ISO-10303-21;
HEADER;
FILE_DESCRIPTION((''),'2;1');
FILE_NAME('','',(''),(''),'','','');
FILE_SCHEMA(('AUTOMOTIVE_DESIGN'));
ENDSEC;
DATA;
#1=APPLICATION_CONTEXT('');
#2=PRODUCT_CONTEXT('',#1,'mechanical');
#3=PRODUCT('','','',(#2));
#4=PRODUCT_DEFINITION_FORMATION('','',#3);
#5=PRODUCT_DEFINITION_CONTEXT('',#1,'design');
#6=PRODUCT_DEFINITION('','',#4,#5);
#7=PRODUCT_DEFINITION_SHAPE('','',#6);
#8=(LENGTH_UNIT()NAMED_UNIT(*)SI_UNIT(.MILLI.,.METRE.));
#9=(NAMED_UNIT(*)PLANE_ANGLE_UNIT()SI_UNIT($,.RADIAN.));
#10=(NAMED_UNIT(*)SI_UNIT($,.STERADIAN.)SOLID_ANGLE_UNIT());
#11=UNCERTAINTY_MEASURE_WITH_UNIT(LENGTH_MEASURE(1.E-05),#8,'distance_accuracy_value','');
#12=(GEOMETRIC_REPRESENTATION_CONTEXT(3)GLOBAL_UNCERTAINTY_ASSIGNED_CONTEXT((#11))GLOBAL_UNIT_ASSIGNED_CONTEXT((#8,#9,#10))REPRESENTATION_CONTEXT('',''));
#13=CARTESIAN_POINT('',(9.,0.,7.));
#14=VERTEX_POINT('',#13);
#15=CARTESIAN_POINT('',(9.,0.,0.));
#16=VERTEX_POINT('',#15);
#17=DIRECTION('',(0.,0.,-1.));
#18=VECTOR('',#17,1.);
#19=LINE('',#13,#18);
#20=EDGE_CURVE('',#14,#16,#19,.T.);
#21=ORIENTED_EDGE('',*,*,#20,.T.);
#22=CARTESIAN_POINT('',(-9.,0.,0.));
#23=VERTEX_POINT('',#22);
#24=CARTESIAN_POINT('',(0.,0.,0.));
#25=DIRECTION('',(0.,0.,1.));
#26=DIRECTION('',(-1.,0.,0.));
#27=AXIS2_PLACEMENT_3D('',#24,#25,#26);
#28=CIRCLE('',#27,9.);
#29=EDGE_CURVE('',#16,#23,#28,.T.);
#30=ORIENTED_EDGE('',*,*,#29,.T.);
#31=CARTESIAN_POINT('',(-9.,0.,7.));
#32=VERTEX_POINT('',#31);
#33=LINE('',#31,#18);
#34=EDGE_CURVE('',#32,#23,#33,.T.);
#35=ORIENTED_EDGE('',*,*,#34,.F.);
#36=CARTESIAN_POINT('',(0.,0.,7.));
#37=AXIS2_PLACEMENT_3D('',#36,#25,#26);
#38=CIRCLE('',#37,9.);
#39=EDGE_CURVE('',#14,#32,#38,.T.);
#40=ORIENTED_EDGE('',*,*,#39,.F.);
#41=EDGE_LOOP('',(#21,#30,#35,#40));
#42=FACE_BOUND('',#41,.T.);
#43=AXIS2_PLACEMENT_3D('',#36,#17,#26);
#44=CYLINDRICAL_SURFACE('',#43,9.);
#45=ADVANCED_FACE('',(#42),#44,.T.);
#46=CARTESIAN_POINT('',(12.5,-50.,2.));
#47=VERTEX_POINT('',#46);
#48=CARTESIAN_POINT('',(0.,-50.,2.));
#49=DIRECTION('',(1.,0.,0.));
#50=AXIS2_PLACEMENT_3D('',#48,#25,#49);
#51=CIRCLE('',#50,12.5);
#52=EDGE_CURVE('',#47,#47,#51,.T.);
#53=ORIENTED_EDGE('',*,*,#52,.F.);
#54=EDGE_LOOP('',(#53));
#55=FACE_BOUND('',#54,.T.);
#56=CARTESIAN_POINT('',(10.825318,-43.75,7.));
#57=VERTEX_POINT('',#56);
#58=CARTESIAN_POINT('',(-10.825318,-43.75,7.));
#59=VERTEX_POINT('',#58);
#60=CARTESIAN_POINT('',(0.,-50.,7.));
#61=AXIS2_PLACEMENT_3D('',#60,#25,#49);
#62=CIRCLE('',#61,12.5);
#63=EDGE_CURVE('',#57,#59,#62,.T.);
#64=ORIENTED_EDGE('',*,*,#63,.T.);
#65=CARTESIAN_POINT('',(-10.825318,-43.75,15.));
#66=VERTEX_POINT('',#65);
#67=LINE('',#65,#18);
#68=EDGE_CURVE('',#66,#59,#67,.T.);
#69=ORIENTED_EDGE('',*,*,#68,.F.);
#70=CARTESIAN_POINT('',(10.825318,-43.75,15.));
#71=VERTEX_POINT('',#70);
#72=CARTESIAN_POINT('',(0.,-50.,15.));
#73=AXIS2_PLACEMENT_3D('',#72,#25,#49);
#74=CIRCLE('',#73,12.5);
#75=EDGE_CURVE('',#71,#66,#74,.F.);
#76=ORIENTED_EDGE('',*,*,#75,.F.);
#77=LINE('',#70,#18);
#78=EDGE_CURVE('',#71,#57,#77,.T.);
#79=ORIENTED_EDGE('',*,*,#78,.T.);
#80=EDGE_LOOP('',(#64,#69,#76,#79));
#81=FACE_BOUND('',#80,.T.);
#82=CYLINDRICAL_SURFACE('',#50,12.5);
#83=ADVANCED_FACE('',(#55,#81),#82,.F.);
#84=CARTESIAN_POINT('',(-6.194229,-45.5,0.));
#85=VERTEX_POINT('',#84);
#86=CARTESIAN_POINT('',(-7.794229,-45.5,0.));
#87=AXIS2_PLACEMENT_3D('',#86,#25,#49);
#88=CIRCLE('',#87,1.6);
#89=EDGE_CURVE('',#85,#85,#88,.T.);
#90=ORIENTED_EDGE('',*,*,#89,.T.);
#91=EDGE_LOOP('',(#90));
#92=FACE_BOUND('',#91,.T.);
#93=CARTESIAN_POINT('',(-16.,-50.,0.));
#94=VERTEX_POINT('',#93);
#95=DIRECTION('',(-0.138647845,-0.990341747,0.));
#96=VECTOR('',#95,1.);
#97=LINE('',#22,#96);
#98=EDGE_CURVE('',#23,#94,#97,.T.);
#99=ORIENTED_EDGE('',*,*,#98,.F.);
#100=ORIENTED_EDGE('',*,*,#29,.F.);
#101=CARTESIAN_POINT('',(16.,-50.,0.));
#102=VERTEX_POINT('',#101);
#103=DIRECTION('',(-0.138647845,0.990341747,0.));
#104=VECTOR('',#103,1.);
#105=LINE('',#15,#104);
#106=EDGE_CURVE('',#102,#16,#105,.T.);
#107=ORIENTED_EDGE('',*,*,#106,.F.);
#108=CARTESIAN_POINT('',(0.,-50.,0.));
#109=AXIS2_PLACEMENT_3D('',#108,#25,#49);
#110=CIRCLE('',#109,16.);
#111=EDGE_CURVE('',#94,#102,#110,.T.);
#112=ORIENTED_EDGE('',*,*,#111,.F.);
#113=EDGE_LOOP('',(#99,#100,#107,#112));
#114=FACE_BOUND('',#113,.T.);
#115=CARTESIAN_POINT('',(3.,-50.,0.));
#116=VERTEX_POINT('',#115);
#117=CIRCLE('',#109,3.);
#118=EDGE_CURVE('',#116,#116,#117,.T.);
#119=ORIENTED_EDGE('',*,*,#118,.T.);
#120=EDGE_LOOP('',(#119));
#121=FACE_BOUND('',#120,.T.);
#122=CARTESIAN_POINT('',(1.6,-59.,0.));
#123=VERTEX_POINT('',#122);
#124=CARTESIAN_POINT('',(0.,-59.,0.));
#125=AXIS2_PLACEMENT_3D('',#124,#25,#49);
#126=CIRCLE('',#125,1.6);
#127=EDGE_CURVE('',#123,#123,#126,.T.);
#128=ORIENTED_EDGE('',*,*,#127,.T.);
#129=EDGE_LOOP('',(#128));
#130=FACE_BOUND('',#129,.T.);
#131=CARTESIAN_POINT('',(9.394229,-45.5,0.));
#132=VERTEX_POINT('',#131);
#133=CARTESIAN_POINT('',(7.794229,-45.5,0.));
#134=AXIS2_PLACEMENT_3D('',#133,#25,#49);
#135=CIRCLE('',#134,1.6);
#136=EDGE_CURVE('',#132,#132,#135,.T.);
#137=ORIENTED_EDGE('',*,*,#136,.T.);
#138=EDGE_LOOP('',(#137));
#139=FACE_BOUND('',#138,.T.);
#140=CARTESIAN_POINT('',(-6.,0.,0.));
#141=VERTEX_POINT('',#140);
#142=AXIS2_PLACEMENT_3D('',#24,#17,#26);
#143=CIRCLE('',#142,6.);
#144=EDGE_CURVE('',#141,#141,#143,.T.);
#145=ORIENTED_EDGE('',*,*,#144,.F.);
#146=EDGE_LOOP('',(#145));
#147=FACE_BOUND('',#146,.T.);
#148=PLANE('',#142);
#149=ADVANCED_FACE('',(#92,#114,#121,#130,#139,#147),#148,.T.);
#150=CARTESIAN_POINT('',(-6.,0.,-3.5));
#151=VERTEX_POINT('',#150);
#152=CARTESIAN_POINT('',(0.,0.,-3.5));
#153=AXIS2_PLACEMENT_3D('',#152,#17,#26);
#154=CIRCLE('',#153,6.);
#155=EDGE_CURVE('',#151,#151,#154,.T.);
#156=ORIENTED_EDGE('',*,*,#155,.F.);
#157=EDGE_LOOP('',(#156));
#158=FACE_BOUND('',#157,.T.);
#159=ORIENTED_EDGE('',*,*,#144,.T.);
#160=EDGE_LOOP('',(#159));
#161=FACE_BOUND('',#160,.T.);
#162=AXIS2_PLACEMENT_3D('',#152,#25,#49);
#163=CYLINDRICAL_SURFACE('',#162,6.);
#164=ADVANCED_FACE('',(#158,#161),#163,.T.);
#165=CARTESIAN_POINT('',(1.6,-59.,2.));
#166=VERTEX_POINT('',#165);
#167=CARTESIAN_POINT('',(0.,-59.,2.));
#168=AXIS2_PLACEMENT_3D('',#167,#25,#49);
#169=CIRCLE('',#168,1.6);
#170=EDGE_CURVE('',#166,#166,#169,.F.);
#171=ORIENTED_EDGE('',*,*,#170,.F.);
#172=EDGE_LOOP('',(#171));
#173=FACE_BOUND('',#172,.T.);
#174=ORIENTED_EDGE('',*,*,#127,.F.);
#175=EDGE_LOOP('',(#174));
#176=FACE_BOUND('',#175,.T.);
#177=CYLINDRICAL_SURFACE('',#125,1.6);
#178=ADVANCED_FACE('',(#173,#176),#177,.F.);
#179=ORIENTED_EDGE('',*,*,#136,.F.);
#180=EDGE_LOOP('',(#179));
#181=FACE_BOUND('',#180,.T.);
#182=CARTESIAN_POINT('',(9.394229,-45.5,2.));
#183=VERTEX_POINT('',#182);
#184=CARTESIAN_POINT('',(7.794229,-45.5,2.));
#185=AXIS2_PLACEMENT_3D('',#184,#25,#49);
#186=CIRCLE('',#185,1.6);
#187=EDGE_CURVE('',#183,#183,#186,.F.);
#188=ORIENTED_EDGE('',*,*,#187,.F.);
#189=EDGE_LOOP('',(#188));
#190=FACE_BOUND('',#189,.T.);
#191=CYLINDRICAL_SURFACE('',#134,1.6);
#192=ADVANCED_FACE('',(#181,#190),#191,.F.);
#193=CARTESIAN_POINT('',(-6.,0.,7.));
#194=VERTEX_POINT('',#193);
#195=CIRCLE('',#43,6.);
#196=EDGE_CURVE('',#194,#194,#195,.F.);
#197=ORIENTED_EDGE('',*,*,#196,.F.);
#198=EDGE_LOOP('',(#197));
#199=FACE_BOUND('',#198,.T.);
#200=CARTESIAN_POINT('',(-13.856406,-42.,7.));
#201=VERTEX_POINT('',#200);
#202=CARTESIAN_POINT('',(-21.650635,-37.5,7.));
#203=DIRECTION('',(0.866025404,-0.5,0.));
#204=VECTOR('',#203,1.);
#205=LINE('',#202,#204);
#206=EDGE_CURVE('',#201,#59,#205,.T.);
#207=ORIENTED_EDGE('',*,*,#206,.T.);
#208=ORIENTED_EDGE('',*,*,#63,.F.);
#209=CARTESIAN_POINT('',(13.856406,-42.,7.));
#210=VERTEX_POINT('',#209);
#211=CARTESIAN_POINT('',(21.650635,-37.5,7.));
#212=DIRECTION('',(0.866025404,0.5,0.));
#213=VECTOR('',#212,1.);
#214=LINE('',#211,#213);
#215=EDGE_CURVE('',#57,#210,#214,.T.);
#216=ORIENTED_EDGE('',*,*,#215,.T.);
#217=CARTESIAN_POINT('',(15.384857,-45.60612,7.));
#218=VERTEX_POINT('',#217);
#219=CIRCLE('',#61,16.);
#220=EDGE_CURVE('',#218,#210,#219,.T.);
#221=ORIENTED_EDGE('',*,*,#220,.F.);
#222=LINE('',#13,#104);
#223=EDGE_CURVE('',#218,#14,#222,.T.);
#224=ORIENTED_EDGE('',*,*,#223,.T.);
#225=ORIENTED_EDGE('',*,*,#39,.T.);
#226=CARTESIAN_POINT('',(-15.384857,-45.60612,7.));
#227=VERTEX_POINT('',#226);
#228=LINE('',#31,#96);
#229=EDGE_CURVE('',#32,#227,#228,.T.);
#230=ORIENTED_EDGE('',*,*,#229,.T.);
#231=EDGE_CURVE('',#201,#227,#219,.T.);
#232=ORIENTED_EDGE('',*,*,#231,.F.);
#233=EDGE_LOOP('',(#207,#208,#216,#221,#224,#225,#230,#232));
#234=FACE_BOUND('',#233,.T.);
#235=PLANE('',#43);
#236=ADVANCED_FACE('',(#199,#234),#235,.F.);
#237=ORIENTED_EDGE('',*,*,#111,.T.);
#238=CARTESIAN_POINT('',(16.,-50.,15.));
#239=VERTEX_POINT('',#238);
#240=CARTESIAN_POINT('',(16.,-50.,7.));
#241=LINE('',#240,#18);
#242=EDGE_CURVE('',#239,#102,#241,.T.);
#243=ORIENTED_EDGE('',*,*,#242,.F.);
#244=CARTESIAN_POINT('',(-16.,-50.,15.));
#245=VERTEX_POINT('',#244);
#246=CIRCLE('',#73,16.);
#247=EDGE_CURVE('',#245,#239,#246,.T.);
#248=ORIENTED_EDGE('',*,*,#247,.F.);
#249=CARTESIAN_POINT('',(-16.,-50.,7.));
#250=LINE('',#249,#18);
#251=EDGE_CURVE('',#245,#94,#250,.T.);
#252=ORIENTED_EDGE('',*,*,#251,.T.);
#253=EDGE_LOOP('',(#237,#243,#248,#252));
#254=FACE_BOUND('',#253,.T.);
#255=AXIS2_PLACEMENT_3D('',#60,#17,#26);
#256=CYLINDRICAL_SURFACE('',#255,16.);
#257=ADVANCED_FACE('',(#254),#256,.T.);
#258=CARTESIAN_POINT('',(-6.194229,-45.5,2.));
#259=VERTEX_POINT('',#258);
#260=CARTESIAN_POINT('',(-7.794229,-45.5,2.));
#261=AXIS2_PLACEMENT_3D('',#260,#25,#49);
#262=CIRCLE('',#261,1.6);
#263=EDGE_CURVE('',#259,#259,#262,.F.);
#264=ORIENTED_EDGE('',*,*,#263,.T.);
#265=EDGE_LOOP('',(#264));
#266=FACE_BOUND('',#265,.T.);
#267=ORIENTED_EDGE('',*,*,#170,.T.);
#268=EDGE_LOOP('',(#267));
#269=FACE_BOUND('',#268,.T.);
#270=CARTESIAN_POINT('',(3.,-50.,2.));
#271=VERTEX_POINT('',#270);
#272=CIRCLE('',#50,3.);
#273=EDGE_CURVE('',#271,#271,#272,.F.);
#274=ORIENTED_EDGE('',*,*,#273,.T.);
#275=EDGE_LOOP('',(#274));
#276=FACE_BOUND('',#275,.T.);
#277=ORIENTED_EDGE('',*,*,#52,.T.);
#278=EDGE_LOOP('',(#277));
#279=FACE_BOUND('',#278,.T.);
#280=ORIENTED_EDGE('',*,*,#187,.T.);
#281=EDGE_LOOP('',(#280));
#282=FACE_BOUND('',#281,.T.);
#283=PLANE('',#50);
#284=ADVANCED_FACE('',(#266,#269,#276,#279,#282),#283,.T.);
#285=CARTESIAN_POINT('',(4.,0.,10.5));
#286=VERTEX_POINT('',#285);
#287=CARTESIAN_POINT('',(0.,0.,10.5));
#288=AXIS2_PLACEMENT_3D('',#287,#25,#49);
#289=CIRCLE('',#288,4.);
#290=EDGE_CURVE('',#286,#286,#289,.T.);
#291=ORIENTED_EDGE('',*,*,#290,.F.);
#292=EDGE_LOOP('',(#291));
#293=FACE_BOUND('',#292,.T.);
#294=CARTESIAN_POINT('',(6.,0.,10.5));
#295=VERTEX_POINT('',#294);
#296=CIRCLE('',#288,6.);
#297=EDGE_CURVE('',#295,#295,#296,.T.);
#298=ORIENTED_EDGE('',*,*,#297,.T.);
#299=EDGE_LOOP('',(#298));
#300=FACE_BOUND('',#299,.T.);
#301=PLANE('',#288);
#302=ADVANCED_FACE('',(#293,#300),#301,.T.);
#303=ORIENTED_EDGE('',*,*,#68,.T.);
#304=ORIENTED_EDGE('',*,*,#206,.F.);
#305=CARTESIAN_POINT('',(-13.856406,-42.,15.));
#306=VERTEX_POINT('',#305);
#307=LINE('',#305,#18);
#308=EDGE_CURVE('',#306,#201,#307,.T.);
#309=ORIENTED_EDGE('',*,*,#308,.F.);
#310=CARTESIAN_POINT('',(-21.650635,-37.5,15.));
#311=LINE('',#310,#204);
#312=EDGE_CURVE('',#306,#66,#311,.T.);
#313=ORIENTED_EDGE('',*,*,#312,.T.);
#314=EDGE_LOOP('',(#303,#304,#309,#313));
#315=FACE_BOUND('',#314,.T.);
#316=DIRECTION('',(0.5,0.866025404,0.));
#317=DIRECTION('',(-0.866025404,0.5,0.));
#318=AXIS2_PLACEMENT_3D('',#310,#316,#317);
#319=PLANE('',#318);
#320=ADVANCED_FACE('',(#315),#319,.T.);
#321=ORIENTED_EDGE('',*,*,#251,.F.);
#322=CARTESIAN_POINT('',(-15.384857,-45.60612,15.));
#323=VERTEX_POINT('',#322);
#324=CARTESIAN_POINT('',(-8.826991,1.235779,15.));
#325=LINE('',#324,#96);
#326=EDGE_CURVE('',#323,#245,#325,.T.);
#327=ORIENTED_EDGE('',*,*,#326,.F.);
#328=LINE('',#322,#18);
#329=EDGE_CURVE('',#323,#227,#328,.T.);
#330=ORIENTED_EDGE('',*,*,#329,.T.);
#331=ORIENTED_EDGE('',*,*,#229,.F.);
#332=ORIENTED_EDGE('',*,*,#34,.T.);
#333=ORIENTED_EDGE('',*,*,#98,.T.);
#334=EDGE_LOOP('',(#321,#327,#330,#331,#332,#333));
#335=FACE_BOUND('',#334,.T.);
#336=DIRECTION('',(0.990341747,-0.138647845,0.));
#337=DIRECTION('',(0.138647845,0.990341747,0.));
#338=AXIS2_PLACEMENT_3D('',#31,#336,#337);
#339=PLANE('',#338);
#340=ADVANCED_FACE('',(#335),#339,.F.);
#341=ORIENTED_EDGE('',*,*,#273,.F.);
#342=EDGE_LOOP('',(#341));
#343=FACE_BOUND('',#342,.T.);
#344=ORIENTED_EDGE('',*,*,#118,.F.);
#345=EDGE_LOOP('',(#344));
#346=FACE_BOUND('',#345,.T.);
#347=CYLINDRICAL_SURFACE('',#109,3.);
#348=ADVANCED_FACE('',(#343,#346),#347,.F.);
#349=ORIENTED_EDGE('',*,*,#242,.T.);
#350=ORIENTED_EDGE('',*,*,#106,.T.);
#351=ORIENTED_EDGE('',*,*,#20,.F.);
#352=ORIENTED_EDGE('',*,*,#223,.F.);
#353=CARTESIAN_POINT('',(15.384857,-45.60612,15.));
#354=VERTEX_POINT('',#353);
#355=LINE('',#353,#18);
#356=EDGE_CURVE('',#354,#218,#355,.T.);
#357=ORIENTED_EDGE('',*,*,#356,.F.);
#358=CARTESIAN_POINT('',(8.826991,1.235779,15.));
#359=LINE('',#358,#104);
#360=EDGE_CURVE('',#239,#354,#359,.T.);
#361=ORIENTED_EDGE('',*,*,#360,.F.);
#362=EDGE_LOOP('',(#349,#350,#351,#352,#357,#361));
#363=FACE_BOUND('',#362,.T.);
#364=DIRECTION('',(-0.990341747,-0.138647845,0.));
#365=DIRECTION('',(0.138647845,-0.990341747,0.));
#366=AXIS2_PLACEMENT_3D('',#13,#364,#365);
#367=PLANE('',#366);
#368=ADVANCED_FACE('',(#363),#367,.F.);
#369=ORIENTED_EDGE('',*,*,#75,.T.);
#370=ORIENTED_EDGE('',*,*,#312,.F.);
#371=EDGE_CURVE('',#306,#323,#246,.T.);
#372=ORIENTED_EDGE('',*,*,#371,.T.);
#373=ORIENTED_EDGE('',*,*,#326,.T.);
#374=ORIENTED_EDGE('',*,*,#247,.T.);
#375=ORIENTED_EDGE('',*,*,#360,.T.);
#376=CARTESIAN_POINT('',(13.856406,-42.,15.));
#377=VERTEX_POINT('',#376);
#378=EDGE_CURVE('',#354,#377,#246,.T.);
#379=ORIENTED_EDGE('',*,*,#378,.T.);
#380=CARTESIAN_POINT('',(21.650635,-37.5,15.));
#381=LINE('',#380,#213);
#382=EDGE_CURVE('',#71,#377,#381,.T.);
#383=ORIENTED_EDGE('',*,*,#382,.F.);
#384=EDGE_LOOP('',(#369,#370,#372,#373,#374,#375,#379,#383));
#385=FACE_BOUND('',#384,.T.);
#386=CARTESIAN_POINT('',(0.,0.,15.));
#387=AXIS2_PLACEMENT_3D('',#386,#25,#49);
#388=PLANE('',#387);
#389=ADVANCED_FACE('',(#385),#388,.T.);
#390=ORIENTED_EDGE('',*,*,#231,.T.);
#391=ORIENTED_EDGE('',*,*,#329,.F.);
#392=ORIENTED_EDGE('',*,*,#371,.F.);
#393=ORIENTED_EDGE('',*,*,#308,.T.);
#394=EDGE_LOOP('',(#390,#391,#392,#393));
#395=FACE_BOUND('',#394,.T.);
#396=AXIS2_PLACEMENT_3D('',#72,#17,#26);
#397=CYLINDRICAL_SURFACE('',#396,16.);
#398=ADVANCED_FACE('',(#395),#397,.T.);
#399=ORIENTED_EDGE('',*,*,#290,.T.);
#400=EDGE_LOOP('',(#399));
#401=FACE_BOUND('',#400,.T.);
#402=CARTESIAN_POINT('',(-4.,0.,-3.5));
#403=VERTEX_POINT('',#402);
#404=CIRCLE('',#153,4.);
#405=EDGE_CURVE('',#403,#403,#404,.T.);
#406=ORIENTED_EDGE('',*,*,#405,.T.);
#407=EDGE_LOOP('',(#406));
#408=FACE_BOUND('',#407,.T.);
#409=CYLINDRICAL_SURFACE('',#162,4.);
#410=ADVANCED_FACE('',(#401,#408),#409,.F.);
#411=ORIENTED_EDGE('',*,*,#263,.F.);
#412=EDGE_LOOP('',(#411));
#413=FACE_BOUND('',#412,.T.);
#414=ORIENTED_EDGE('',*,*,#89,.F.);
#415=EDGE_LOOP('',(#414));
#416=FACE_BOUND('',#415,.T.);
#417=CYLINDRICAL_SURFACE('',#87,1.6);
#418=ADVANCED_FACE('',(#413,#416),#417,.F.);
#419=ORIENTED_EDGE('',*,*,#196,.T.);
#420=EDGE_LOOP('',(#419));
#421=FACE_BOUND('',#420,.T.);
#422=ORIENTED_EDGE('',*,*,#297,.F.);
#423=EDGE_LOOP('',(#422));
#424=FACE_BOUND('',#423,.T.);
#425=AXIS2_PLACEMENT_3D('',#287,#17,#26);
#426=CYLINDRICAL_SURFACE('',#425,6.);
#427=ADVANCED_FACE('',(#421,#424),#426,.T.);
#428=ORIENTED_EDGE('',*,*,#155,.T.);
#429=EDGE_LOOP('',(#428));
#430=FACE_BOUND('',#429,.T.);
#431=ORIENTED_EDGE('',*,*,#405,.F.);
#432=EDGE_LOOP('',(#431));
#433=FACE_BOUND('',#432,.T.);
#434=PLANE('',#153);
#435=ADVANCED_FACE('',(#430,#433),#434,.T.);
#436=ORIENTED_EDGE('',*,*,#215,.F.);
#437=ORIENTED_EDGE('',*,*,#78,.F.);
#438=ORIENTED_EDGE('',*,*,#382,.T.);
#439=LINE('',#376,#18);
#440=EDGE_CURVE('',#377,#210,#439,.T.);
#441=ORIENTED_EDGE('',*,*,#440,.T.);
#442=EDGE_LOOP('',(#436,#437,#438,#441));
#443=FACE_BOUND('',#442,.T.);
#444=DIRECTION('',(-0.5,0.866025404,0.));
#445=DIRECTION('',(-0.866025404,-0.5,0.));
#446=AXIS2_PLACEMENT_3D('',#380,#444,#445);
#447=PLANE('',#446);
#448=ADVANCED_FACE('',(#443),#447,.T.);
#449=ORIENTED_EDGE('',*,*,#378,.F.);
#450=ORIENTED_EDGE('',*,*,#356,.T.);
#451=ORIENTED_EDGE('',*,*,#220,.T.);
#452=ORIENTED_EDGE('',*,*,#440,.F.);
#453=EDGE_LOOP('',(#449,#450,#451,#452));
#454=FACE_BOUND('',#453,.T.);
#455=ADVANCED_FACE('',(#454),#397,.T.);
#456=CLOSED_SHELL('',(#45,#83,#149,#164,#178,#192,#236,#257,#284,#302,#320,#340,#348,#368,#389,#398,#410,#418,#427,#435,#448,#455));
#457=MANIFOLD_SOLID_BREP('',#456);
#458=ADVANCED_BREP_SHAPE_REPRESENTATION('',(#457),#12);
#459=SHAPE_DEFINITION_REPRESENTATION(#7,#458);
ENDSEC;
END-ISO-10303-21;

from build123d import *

# Parameters (mm, degrees)
BOSS_EXTRU_1_DEPTH      = 7
ESQUISSE2_R             = 3
ENL_V_MAT_EXTRU_1_DEPTH = 7
ESQUISSE3_R             = 1.6
ENL_V_MAT_EXTRU_2_DEPTH = 7
ESQUISSE5_R             = 12.5
ENL_V_MAT_EXTRU_5_DEPTH = 5
ESQUISSE16_R            = 6
ESQUISSE16_R_2          = 4
BOSS_EXTRU_5_DEPTH      = 3.5
BOSS_EXTRU_6_START      = 3.5
ESQUISSE17_R            = 6
ESQUISSE17_R_2          = 4
BOSS_EXTRU_6_DEPTH      = 3.5
BOSS_EXTRU_8_DEPTH      = 8
ESQUISSE19_R            = 4
ENL_V_MAT_EXTRU_6_DEPTH = 8


with BuildPart() as part:
    # Esquisse1 → Boss.-Extru.1 (new body)
    with BuildSketch(Plane.XY):
        with BuildLine():
            Line((9, 0), (16, -50))
            ThreePointArc((16, -50), (0, -66), (-16, -50))
            Line((-16, -50), (-9, 0))
            ThreePointArc((-9, 0), (0, 9), (9, 0))
        make_face()
    extrude(amount=BOSS_EXTRU_1_DEPTH)

    # Esquisse2 → Enlèv. mat.-Extru.1 (cut)
    with BuildSketch(Plane.XY.offset(7)):
        with Locations((0, -50)):
            Circle(ESQUISSE2_R)
    extrude(amount=-ENL_V_MAT_EXTRU_1_DEPTH, mode=Mode.SUBTRACT)

    # Esquisse3 → Enlèv. mat.-Extru.2 (cut)
    with BuildSketch(Plane.XY.offset(7)):
        with Locations((0, -59)):
            Circle(ESQUISSE3_R)
        with Locations((-7.794228634, -45.5)):
            Circle(ESQUISSE3_R)
        with Locations((7.794228634, -45.5)):
            Circle(ESQUISSE3_R)
    extrude(amount=-ENL_V_MAT_EXTRU_2_DEPTH, mode=Mode.SUBTRACT)

    # Esquisse5 → Enlèv. mat.-Extru.5 (cut)
    with BuildSketch(Plane.XY.offset(7)):
        with Locations((0, -50)):
            Circle(ESQUISSE5_R)
    extrude(amount=-ENL_V_MAT_EXTRU_5_DEPTH, mode=Mode.SUBTRACT)

    # Esquisse16 → Boss.-Extru.5 (add)
    with BuildSketch(Plane(origin=(0, 0, 0), x_dir=(-1, 0, 0), z_dir=(0, 0, -1))):
        Circle(ESQUISSE16_R)
        Circle(ESQUISSE16_R_2, mode=Mode.SUBTRACT)
    extrude(amount=BOSS_EXTRU_5_DEPTH)

    # Esquisse17 → Boss.-Extru.6 (add)
    with BuildSketch(Plane.XY.offset(7).offset(BOSS_EXTRU_6_START)):
        with Locations(Location((0, 0, 0), (0, 0, 180))):
            Circle(ESQUISSE17_R)
        with Locations(Location((0, 0, 0), (0, 0, 180))):
            Circle(ESQUISSE17_R_2, mode=Mode.SUBTRACT)
    extrude(amount=-BOSS_EXTRU_6_DEPTH)

    # Esquisse18 → Boss.-Extru.8 (add)
    with BuildSketch(Plane.XY.offset(7)):
        with BuildLine():
            Line((-10.825317547, -43.75), (-13.856406461, -42))
            ThreePointArc((-13.856406461, -42), (-14.731391476, -43.756114576), (-15.384856807, -45.606120047))
            Line((-15.384856807, -45.606120047), (-16, -50))
            ThreePointArc((-16, -50), (0, -66), (16, -50))
            Line((16, -50), (15.384856807, -45.606120047))
            ThreePointArc((15.384856807, -45.606120047), (14.731391476, -43.756114576), (13.856406461, -42))
            Line((13.856406461, -42), (10.825317547, -43.75))
            ThreePointArc((10.825317547, -43.75), (12.074072829, -46.764761936), (12.5, -50))
            ThreePointArc((12.5, -50), (-3.235238064, -62.074072829), (-10.825317547, -43.75))
        make_face()
    extrude(amount=BOSS_EXTRU_8_DEPTH)

    # Esquisse19 → Enlèv. mat.-Extru.6 (cut)
    with BuildSketch(Plane.XY.offset(7)):
        Circle(ESQUISSE19_R)
    extrude(amount=-ENL_V_MAT_EXTRU_6_DEPTH, mode=Mode.SUBTRACT)


solid = part.part
